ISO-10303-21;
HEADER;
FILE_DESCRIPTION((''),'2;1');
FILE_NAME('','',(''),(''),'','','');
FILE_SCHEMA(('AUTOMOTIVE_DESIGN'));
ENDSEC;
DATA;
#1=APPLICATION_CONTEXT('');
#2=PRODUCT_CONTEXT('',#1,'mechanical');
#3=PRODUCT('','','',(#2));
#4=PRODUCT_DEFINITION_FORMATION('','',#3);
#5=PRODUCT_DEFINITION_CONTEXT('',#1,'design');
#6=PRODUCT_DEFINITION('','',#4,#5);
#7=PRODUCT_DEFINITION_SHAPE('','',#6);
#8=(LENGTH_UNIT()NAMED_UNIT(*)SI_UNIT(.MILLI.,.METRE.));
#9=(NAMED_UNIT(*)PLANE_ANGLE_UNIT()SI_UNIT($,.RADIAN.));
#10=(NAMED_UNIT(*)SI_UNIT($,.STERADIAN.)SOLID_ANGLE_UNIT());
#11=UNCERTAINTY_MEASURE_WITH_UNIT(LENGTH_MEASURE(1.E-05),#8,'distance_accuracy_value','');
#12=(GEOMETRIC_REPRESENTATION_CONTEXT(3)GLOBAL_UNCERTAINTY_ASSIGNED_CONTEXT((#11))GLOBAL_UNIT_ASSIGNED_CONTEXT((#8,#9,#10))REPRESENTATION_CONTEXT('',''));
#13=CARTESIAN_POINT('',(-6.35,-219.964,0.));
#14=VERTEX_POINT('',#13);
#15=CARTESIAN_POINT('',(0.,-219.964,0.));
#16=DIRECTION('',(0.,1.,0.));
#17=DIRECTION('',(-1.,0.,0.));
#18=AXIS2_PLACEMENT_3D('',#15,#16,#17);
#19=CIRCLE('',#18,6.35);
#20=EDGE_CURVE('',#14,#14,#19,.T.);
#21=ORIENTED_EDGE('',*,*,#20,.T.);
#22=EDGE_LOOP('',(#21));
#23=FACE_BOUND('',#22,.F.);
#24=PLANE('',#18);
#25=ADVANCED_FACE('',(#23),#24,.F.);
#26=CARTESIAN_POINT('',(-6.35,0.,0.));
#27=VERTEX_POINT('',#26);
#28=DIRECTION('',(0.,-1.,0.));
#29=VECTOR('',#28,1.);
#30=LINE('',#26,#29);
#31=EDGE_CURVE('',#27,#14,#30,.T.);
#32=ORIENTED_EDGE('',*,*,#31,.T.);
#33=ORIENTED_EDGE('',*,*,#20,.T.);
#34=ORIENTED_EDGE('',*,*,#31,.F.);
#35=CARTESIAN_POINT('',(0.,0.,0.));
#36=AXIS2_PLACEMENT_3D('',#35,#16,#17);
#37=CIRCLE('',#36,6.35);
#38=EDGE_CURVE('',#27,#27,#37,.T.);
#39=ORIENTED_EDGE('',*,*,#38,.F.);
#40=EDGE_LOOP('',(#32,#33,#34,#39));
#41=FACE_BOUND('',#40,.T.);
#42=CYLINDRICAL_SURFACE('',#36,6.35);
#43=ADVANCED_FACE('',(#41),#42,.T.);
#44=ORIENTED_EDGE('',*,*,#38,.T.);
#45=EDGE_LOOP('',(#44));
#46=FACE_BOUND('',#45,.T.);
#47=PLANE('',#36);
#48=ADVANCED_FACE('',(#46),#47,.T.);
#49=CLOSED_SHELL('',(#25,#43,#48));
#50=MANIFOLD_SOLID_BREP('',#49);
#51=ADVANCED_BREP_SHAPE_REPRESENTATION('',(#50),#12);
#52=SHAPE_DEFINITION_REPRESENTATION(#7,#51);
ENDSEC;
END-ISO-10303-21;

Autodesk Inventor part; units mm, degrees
ref_plane "YZ Plane" through (0, 0, 0) normal (1, 0, 0) x (0, 1, 0)
ref_plane "XZ Plane" through (0, 0, 0) normal (0, 1, 0) x (-1, 0, 0)
ref_plane "XY Plane" through (0, 0, 0) normal (0, 0, 1) x (1, 0, 0)
sketch "Sketch1" plane through (0, 0, 0) normal (0, 1, 0) x (-1, 0, 0)
  circle A0 centre (0, 0) radius 6.35
  dimension "d0" = 12.7
extrude "Extrusion1" add sketch "Sketch1" against normal blind 219.964
properties part number "Front Axle"
